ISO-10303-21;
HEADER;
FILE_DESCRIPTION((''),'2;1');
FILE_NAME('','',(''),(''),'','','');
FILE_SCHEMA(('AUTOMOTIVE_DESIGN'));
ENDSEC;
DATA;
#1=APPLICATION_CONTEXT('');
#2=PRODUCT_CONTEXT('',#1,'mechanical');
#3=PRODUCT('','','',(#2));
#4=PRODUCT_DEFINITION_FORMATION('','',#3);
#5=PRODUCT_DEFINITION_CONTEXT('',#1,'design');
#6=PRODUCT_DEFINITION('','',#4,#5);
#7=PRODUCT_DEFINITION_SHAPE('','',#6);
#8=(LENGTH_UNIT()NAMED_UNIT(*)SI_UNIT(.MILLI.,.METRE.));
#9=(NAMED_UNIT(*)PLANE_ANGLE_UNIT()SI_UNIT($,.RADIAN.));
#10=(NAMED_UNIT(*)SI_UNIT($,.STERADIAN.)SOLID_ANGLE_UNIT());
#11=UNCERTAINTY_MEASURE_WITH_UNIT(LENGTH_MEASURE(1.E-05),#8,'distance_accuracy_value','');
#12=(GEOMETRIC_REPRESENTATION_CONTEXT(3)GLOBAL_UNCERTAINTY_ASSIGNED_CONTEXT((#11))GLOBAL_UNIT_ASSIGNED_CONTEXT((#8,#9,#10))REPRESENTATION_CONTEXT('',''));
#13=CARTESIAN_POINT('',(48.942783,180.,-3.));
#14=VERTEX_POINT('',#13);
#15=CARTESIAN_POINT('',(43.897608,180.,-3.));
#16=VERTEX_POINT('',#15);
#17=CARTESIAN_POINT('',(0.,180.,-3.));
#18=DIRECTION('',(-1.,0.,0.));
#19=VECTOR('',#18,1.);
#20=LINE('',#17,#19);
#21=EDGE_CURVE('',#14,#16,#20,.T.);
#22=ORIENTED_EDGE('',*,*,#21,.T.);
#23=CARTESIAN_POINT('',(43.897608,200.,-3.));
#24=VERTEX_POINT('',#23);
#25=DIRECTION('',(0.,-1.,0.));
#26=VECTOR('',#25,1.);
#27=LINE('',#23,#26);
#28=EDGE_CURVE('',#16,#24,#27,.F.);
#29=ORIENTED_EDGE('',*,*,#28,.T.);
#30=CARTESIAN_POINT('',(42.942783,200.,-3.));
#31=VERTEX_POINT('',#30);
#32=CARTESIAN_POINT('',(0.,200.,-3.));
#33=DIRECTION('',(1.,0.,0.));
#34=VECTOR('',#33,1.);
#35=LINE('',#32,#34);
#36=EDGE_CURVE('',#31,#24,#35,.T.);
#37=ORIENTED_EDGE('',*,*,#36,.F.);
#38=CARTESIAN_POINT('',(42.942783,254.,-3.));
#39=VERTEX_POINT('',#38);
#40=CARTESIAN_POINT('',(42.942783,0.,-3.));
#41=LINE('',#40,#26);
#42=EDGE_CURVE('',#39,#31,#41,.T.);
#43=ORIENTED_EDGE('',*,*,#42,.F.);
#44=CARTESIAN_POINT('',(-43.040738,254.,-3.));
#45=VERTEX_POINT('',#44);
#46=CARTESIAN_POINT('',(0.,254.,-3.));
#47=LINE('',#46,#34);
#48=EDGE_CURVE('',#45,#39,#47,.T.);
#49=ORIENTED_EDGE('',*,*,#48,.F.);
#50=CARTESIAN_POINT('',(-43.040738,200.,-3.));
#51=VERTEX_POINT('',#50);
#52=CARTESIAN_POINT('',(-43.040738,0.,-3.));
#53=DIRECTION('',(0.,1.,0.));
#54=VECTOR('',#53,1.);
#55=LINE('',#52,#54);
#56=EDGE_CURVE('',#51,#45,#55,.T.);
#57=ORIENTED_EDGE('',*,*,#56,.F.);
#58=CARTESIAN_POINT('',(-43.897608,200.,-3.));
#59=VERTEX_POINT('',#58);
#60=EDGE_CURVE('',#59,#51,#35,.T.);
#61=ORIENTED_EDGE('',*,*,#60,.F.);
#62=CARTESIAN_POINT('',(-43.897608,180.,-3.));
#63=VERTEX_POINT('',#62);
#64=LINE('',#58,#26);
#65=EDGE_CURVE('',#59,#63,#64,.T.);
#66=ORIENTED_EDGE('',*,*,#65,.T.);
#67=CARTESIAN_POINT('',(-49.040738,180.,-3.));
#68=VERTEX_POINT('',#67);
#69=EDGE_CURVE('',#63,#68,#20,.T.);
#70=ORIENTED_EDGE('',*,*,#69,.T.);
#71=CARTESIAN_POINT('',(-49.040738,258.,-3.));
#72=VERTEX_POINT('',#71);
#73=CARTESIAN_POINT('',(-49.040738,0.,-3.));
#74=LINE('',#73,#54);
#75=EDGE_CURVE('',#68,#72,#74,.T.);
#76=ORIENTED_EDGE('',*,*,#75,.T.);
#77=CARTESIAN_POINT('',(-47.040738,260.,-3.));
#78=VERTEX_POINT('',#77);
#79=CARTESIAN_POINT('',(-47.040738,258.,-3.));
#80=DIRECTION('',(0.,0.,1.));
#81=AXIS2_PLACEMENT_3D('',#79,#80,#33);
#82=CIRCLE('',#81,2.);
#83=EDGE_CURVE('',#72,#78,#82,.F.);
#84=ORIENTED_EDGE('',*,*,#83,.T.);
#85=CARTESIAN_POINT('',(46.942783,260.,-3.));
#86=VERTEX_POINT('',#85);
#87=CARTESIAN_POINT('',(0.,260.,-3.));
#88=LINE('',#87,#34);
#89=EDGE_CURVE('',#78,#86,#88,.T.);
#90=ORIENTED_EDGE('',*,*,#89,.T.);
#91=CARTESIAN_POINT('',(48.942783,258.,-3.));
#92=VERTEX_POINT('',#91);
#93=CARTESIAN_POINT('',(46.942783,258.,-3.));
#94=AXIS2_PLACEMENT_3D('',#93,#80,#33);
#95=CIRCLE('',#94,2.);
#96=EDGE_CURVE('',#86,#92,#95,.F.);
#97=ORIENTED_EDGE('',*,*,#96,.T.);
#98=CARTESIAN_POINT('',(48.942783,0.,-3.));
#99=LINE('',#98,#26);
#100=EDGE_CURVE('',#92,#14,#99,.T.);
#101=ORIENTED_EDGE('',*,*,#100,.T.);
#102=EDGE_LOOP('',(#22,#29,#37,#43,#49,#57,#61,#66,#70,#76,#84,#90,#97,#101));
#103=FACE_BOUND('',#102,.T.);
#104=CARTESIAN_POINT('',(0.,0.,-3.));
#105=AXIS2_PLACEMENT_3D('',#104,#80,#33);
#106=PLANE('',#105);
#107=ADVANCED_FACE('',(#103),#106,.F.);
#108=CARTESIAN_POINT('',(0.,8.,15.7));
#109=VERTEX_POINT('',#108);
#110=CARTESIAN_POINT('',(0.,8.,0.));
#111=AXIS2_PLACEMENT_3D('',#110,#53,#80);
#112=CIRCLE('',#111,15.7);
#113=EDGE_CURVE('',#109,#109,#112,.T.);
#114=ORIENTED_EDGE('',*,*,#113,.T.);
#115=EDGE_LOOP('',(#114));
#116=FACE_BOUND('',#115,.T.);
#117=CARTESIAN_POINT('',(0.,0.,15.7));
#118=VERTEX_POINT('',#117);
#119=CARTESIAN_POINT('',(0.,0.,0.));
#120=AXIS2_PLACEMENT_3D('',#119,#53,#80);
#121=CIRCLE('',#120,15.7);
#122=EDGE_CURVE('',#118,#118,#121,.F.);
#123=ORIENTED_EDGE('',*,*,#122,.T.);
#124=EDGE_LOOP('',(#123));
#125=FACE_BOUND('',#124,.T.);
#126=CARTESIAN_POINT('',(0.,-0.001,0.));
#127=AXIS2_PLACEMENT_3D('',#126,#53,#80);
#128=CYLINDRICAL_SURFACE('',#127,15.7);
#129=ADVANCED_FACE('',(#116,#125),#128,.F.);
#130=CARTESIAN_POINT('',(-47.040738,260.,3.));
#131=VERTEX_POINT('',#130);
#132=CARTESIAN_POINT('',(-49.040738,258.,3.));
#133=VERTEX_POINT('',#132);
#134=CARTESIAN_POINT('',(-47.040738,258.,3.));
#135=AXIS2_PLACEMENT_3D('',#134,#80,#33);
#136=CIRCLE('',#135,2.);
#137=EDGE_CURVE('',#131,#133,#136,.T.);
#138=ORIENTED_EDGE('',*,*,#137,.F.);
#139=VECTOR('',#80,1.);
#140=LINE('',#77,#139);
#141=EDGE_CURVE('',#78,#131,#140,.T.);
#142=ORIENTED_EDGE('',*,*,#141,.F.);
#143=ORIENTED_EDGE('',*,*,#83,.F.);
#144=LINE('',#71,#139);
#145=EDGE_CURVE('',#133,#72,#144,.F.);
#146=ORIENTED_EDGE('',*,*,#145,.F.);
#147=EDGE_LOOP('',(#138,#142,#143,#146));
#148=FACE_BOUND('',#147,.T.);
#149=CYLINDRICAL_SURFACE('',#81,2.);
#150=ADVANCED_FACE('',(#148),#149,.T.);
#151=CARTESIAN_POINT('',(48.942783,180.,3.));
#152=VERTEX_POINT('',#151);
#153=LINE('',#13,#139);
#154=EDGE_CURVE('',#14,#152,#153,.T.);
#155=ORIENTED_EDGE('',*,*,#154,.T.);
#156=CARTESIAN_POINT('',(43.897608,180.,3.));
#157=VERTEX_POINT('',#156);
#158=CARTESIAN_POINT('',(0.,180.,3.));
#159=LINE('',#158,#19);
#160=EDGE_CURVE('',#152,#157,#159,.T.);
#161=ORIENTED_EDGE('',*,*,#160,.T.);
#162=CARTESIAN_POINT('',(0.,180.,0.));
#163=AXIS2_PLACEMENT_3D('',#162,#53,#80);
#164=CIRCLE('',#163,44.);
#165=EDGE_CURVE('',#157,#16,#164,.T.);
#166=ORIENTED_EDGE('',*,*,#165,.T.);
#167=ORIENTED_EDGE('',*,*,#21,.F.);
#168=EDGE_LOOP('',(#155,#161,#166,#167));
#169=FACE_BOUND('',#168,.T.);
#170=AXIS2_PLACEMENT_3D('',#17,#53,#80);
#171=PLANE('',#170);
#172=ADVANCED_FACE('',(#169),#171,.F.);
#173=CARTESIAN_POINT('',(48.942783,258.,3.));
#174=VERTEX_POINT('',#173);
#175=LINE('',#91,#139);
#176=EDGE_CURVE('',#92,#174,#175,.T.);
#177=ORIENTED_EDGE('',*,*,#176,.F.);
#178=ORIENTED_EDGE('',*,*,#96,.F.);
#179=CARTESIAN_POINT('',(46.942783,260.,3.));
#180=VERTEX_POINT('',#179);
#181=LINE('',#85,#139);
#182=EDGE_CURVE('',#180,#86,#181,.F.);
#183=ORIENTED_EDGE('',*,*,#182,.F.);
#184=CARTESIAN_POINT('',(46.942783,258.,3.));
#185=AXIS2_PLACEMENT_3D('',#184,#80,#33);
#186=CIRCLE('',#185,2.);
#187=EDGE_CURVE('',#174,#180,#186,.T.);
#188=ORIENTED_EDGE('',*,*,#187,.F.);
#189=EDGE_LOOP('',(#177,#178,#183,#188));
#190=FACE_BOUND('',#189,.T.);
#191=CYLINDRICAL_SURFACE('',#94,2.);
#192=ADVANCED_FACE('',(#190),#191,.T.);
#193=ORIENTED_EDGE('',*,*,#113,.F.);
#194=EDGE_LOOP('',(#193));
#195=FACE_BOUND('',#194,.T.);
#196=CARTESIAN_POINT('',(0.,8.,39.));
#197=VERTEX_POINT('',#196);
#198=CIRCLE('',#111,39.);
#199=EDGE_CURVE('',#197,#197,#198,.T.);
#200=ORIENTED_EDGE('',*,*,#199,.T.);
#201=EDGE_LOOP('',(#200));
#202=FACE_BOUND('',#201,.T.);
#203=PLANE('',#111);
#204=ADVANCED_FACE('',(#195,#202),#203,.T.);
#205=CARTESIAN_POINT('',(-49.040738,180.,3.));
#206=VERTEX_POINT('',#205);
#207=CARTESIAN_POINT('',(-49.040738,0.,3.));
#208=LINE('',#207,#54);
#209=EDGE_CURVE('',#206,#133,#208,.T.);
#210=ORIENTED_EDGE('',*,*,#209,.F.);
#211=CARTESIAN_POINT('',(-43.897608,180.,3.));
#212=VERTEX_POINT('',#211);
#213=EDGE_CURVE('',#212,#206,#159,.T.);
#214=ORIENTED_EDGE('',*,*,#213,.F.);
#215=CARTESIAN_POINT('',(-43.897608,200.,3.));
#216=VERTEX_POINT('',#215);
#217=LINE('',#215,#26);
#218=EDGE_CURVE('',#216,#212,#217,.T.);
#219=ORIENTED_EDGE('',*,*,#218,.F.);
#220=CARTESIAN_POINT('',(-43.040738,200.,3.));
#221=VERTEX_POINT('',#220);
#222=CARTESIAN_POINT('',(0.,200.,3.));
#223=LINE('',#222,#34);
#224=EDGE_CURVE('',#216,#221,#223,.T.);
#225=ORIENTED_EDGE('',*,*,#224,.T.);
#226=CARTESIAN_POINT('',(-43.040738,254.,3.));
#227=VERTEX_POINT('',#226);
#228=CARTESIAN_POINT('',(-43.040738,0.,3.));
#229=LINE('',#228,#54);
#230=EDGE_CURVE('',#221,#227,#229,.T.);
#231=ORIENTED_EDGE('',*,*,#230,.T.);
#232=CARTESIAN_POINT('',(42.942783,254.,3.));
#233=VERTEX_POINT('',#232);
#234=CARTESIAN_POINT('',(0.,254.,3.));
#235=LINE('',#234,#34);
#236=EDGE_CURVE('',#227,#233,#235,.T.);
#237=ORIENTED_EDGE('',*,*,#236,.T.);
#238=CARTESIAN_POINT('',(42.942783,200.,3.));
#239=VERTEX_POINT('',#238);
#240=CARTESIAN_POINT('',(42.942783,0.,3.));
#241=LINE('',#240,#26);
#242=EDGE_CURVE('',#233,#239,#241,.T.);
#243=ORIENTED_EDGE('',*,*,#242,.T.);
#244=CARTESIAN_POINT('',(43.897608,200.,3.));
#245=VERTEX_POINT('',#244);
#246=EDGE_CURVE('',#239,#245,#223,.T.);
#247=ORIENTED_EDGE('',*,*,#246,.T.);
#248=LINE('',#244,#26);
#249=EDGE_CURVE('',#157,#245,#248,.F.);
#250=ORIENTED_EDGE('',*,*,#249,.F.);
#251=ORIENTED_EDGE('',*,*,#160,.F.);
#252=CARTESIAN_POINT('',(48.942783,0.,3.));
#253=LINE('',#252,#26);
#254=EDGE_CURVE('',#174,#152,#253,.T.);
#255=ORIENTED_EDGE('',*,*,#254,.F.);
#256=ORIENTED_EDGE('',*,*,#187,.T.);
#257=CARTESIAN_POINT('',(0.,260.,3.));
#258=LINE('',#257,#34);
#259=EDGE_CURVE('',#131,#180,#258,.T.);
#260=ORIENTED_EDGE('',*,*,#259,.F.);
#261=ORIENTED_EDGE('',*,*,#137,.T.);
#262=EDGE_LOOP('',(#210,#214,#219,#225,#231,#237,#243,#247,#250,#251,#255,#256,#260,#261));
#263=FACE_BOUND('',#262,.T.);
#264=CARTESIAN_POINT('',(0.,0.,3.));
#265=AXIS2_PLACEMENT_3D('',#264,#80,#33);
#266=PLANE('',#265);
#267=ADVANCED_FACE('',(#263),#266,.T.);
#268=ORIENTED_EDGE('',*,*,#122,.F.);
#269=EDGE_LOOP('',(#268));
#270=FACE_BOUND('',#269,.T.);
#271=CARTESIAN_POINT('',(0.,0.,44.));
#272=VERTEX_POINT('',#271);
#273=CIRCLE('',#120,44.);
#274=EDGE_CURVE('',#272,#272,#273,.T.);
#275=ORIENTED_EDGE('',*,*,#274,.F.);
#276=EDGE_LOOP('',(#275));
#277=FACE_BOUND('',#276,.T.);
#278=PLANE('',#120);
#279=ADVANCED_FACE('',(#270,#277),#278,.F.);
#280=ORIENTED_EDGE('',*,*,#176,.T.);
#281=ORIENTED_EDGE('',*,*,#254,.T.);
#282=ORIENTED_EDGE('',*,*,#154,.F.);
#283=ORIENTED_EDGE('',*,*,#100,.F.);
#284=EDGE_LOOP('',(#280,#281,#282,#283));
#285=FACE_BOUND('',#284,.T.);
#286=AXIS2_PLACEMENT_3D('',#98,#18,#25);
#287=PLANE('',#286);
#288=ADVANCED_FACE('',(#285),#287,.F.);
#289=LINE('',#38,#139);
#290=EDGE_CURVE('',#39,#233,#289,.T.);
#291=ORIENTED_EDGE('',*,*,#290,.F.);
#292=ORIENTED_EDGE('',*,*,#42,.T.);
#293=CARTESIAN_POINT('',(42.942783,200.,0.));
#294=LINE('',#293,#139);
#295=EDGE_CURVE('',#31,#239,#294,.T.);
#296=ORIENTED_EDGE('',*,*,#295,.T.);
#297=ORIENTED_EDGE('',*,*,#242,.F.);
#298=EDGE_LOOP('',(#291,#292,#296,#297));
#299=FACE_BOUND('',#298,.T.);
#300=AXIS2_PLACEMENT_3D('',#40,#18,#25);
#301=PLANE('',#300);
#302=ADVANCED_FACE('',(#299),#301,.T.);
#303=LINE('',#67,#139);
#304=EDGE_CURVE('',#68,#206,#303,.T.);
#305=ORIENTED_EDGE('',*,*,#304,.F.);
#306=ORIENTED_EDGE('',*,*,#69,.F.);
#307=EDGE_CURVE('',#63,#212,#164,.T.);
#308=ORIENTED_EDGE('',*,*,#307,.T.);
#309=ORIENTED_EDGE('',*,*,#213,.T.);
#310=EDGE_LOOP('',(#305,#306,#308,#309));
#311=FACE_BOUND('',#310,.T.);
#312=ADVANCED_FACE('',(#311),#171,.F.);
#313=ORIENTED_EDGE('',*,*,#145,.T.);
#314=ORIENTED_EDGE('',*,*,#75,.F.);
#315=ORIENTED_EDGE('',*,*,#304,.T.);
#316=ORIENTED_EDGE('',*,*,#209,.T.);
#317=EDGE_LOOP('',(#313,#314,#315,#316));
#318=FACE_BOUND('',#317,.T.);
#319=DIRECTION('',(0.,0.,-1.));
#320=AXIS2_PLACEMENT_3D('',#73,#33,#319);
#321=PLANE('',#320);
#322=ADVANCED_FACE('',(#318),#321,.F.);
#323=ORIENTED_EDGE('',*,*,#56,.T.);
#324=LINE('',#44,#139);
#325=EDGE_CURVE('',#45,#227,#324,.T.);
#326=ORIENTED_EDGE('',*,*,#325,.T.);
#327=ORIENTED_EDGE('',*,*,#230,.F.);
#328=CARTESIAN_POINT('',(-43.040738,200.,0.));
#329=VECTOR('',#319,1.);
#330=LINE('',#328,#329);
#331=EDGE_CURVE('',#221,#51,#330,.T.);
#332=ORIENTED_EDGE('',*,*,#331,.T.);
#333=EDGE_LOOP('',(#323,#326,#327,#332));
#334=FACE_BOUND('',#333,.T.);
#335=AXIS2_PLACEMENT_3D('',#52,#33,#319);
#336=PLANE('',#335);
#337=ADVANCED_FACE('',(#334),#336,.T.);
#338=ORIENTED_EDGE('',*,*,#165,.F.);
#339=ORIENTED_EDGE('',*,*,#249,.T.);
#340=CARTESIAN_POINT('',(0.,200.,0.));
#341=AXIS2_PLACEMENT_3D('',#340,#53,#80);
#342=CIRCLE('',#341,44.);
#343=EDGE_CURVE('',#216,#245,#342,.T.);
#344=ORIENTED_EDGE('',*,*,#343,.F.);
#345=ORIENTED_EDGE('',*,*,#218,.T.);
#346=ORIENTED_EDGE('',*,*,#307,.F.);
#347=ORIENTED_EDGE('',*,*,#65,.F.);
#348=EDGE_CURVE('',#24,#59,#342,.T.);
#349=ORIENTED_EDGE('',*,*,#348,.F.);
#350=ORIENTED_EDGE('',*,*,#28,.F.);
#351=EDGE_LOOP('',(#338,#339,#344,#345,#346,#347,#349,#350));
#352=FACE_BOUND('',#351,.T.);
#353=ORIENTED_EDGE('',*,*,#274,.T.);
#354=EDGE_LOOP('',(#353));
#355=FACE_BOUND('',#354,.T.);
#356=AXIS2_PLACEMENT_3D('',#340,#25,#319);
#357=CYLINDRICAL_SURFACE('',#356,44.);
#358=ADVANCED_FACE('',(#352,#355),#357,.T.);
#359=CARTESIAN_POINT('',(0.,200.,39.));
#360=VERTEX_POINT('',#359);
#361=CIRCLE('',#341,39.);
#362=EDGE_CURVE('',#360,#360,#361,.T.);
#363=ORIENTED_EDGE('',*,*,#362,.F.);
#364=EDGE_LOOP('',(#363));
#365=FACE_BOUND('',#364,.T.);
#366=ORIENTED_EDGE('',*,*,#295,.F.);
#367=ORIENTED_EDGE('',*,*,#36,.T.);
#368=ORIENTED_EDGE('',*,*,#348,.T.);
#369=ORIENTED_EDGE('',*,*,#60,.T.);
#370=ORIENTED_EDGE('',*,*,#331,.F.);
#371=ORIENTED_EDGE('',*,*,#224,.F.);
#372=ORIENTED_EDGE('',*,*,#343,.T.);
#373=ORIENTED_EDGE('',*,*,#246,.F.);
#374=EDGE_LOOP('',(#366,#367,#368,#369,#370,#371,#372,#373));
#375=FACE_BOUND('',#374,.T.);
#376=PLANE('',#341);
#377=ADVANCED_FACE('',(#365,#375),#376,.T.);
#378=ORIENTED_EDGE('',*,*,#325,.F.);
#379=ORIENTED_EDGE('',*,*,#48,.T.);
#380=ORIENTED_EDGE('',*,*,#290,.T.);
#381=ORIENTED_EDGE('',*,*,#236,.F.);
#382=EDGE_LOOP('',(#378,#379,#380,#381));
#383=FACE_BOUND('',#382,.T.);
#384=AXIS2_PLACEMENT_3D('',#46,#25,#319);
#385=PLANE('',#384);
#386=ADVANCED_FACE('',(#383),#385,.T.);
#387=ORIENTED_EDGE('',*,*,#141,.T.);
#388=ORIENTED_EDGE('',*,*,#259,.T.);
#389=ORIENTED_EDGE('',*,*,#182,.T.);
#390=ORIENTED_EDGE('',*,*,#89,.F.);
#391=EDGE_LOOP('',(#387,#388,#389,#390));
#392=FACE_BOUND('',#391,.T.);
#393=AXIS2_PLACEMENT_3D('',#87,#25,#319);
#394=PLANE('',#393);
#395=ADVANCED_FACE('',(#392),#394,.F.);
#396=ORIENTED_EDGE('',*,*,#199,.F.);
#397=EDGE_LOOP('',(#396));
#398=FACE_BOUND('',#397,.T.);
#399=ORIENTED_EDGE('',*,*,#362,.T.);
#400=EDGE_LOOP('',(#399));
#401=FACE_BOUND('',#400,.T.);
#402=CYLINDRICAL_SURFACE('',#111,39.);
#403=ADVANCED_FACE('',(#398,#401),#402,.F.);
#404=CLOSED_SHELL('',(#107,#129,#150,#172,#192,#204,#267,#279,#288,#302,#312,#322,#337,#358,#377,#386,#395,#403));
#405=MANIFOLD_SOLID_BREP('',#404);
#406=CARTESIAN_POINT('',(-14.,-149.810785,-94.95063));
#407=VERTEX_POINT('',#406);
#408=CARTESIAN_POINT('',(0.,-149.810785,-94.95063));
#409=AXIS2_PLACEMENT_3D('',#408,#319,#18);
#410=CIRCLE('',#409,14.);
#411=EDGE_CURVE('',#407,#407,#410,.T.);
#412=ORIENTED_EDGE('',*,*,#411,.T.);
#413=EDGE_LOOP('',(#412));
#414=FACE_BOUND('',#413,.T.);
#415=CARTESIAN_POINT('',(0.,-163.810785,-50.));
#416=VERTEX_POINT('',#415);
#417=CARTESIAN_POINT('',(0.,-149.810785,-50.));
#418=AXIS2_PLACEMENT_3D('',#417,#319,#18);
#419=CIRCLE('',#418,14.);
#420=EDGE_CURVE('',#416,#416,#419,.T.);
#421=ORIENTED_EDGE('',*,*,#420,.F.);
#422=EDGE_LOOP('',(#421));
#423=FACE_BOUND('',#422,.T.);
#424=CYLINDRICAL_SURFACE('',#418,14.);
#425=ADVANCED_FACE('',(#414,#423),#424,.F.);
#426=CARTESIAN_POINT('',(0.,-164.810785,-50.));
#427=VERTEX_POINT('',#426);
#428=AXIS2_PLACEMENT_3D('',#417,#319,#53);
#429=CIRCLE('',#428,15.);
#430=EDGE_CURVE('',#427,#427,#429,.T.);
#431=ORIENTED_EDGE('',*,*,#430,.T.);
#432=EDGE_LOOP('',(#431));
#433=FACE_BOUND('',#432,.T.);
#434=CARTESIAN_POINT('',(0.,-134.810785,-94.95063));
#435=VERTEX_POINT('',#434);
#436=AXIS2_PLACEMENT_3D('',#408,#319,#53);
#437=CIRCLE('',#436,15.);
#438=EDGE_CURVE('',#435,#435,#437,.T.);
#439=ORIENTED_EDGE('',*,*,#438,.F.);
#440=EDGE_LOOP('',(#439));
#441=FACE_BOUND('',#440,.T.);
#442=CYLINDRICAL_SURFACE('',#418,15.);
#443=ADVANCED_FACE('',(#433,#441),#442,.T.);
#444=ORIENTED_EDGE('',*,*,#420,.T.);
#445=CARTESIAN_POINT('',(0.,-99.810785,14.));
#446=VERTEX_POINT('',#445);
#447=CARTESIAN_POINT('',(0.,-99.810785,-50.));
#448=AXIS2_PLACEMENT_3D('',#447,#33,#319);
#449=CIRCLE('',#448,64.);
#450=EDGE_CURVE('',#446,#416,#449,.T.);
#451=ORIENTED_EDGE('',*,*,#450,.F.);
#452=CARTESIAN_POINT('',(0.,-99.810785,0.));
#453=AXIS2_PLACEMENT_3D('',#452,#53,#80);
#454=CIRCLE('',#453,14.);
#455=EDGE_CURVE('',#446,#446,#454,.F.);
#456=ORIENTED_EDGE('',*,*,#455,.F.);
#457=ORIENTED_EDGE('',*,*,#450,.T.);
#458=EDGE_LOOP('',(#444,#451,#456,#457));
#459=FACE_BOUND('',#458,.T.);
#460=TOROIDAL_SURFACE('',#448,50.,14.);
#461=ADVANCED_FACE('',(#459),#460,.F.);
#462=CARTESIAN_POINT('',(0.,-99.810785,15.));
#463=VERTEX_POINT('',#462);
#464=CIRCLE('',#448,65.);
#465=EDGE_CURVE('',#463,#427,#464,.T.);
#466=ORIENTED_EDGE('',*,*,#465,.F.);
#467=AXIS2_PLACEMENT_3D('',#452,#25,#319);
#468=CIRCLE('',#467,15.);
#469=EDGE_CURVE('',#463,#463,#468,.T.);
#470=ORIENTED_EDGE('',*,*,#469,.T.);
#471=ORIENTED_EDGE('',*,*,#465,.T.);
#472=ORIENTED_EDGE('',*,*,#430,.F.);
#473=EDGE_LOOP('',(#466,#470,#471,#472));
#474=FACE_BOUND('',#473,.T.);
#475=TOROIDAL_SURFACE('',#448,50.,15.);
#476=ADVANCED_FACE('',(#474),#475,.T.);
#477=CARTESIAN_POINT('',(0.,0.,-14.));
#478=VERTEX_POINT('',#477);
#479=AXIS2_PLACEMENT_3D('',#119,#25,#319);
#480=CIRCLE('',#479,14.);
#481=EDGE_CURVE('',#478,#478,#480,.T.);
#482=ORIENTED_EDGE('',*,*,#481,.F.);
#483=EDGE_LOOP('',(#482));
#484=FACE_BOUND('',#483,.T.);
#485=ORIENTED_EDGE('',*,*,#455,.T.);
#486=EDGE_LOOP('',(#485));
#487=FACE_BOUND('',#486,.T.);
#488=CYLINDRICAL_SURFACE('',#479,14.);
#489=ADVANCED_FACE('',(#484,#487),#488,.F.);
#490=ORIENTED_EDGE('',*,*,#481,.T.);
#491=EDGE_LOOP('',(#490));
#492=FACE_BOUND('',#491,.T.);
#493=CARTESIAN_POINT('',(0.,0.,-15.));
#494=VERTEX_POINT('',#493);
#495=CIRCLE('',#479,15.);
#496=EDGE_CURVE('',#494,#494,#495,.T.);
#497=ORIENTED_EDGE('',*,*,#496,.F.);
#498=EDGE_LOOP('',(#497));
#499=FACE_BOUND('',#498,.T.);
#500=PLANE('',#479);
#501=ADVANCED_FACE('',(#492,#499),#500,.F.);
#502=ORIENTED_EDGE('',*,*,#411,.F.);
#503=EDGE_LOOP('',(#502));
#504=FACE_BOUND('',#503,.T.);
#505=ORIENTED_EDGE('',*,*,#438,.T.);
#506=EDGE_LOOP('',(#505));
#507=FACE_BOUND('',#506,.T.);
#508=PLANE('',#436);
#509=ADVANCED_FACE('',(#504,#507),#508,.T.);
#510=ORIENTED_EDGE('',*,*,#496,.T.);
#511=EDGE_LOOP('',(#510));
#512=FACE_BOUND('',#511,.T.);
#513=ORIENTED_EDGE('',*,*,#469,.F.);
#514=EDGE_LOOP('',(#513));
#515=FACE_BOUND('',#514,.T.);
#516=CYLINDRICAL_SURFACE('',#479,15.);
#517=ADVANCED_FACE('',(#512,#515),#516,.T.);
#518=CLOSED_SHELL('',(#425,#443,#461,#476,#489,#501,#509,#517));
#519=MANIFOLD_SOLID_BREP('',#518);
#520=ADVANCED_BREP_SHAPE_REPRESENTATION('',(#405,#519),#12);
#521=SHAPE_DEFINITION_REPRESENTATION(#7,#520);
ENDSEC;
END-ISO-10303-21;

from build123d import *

# Parameters (mm, degrees)
ESBO_O1_R                     = 44
RESSALTO_EXTRUS_O1_DEPTH      = 200
ESBO_O2_R                     = 39
CORTE_EXTRUS_O1_DEPTH         = 192
CORTE_EXTRUS_O2_REACH         = 203.832
ESBO_O3_R                     = 15.7
RESSALTO_EXTRUS_O2_DEPTH      = 3
RESSALTO_EXTRUS_O2_DEPTH_BACK = 3
FILETE1_R                     = 2
SWEEP_THIN1_PROFILE_R         = 15
SWEEP_THIN1_PROFILE_R_2       = 14


with BuildPart() as part:
    # Esboço1 → Ressalto-extrusão1 (new body)
    with BuildSketch(Plane(origin=(0, 0, 0), x_dir=(1, 0, 0), z_dir=(0, 1, 0))):
        Circle(ESBO_O1_R)
    extrude(amount=RESSALTO_EXTRUS_O1_DEPTH)

    # Esboço2 → Corte-extrusão1 (cut)
    with BuildSketch(Plane(origin=(0, 200, 0), x_dir=(1, 0, 0), z_dir=(0, 1, 0))):
        Circle(ESBO_O2_R)
    extrude(amount=-CORTE_EXTRUS_O1_DEPTH, mode=Mode.SUBTRACT)

    # Esboço3 → Corte-extrusão2 (cut, up to next)
    with BuildSketch(Plane(origin=(0, 8, 0), x_dir=(1, 0, 0), z_dir=(0, 1, 0)), mode=Mode.PRIVATE) as corte_extrus_o2_sk1:
        Circle(ESBO_O3_R)
    corte_extrus_o2_tool1 = extrude(corte_extrus_o2_sk1.sketch, amount=-CORTE_EXTRUS_O2_REACH, mode=Mode.PRIVATE) & part.part
    add(corte_extrus_o2_tool1.solids().sort_by_distance((0, 8, 0))[0], mode=Mode.SUBTRACT)

    # Esboço4 → Ressalto-extrusão2 (add, two sides: drawn at the far end of the back side and taken through both)
    with BuildSketch(Plane.XY.offset(-RESSALTO_EXTRUS_O2_DEPTH_BACK)):
        Polygon((-49.040737885, 260), (-49.040737885, 180), (-43.040737885, 180), (-43.040737885, 254), (42.942783163, 254), (42.942783163, 180), (48.942783163, 180), (48.942783163, 260), align=None)
    extrude(amount=RESSALTO_EXTRUS_O2_DEPTH + RESSALTO_EXTRUS_O2_DEPTH_BACK)

    # Filete1
    filete1_edges = [part.edges().sort_by_distance(p)[0] for p in [
        (-49.040737885, 260, 0),
        (48.942783163, 260, 0),
    ]]
    fillet(filete1_edges, radius=FILETE1_R)


with BuildPart() as body_2:
    # Sweep-Thin1: sweep along a curve in space
    with BuildLine() as sweep_thin1_path:
        Line((0, 0, 0), (0, -99.810784889, 0))
        ThreePointArc((0, -149.810784889, -50), (0, -135.166123949, -14.644660941), (0, -99.810784889, 0))
        Line((0, -149.810784889, -50), (0, -149.810784889, -94.950630416))
    # Sweep-Thin1 profile (on start of the path) → Sweep-Thin1 (sweep)
    with BuildSketch(Plane(origin=(0, 0, 0), x_dir=(0, 0, -1), z_dir=(0, -1, 0))):
        Circle(SWEEP_THIN1_PROFILE_R)
        Circle(SWEEP_THIN1_PROFILE_R_2, mode=Mode.SUBTRACT)
    sweep(path=sweep_thin1_path.line)


solid = Compound([part.part, body_2.part])
